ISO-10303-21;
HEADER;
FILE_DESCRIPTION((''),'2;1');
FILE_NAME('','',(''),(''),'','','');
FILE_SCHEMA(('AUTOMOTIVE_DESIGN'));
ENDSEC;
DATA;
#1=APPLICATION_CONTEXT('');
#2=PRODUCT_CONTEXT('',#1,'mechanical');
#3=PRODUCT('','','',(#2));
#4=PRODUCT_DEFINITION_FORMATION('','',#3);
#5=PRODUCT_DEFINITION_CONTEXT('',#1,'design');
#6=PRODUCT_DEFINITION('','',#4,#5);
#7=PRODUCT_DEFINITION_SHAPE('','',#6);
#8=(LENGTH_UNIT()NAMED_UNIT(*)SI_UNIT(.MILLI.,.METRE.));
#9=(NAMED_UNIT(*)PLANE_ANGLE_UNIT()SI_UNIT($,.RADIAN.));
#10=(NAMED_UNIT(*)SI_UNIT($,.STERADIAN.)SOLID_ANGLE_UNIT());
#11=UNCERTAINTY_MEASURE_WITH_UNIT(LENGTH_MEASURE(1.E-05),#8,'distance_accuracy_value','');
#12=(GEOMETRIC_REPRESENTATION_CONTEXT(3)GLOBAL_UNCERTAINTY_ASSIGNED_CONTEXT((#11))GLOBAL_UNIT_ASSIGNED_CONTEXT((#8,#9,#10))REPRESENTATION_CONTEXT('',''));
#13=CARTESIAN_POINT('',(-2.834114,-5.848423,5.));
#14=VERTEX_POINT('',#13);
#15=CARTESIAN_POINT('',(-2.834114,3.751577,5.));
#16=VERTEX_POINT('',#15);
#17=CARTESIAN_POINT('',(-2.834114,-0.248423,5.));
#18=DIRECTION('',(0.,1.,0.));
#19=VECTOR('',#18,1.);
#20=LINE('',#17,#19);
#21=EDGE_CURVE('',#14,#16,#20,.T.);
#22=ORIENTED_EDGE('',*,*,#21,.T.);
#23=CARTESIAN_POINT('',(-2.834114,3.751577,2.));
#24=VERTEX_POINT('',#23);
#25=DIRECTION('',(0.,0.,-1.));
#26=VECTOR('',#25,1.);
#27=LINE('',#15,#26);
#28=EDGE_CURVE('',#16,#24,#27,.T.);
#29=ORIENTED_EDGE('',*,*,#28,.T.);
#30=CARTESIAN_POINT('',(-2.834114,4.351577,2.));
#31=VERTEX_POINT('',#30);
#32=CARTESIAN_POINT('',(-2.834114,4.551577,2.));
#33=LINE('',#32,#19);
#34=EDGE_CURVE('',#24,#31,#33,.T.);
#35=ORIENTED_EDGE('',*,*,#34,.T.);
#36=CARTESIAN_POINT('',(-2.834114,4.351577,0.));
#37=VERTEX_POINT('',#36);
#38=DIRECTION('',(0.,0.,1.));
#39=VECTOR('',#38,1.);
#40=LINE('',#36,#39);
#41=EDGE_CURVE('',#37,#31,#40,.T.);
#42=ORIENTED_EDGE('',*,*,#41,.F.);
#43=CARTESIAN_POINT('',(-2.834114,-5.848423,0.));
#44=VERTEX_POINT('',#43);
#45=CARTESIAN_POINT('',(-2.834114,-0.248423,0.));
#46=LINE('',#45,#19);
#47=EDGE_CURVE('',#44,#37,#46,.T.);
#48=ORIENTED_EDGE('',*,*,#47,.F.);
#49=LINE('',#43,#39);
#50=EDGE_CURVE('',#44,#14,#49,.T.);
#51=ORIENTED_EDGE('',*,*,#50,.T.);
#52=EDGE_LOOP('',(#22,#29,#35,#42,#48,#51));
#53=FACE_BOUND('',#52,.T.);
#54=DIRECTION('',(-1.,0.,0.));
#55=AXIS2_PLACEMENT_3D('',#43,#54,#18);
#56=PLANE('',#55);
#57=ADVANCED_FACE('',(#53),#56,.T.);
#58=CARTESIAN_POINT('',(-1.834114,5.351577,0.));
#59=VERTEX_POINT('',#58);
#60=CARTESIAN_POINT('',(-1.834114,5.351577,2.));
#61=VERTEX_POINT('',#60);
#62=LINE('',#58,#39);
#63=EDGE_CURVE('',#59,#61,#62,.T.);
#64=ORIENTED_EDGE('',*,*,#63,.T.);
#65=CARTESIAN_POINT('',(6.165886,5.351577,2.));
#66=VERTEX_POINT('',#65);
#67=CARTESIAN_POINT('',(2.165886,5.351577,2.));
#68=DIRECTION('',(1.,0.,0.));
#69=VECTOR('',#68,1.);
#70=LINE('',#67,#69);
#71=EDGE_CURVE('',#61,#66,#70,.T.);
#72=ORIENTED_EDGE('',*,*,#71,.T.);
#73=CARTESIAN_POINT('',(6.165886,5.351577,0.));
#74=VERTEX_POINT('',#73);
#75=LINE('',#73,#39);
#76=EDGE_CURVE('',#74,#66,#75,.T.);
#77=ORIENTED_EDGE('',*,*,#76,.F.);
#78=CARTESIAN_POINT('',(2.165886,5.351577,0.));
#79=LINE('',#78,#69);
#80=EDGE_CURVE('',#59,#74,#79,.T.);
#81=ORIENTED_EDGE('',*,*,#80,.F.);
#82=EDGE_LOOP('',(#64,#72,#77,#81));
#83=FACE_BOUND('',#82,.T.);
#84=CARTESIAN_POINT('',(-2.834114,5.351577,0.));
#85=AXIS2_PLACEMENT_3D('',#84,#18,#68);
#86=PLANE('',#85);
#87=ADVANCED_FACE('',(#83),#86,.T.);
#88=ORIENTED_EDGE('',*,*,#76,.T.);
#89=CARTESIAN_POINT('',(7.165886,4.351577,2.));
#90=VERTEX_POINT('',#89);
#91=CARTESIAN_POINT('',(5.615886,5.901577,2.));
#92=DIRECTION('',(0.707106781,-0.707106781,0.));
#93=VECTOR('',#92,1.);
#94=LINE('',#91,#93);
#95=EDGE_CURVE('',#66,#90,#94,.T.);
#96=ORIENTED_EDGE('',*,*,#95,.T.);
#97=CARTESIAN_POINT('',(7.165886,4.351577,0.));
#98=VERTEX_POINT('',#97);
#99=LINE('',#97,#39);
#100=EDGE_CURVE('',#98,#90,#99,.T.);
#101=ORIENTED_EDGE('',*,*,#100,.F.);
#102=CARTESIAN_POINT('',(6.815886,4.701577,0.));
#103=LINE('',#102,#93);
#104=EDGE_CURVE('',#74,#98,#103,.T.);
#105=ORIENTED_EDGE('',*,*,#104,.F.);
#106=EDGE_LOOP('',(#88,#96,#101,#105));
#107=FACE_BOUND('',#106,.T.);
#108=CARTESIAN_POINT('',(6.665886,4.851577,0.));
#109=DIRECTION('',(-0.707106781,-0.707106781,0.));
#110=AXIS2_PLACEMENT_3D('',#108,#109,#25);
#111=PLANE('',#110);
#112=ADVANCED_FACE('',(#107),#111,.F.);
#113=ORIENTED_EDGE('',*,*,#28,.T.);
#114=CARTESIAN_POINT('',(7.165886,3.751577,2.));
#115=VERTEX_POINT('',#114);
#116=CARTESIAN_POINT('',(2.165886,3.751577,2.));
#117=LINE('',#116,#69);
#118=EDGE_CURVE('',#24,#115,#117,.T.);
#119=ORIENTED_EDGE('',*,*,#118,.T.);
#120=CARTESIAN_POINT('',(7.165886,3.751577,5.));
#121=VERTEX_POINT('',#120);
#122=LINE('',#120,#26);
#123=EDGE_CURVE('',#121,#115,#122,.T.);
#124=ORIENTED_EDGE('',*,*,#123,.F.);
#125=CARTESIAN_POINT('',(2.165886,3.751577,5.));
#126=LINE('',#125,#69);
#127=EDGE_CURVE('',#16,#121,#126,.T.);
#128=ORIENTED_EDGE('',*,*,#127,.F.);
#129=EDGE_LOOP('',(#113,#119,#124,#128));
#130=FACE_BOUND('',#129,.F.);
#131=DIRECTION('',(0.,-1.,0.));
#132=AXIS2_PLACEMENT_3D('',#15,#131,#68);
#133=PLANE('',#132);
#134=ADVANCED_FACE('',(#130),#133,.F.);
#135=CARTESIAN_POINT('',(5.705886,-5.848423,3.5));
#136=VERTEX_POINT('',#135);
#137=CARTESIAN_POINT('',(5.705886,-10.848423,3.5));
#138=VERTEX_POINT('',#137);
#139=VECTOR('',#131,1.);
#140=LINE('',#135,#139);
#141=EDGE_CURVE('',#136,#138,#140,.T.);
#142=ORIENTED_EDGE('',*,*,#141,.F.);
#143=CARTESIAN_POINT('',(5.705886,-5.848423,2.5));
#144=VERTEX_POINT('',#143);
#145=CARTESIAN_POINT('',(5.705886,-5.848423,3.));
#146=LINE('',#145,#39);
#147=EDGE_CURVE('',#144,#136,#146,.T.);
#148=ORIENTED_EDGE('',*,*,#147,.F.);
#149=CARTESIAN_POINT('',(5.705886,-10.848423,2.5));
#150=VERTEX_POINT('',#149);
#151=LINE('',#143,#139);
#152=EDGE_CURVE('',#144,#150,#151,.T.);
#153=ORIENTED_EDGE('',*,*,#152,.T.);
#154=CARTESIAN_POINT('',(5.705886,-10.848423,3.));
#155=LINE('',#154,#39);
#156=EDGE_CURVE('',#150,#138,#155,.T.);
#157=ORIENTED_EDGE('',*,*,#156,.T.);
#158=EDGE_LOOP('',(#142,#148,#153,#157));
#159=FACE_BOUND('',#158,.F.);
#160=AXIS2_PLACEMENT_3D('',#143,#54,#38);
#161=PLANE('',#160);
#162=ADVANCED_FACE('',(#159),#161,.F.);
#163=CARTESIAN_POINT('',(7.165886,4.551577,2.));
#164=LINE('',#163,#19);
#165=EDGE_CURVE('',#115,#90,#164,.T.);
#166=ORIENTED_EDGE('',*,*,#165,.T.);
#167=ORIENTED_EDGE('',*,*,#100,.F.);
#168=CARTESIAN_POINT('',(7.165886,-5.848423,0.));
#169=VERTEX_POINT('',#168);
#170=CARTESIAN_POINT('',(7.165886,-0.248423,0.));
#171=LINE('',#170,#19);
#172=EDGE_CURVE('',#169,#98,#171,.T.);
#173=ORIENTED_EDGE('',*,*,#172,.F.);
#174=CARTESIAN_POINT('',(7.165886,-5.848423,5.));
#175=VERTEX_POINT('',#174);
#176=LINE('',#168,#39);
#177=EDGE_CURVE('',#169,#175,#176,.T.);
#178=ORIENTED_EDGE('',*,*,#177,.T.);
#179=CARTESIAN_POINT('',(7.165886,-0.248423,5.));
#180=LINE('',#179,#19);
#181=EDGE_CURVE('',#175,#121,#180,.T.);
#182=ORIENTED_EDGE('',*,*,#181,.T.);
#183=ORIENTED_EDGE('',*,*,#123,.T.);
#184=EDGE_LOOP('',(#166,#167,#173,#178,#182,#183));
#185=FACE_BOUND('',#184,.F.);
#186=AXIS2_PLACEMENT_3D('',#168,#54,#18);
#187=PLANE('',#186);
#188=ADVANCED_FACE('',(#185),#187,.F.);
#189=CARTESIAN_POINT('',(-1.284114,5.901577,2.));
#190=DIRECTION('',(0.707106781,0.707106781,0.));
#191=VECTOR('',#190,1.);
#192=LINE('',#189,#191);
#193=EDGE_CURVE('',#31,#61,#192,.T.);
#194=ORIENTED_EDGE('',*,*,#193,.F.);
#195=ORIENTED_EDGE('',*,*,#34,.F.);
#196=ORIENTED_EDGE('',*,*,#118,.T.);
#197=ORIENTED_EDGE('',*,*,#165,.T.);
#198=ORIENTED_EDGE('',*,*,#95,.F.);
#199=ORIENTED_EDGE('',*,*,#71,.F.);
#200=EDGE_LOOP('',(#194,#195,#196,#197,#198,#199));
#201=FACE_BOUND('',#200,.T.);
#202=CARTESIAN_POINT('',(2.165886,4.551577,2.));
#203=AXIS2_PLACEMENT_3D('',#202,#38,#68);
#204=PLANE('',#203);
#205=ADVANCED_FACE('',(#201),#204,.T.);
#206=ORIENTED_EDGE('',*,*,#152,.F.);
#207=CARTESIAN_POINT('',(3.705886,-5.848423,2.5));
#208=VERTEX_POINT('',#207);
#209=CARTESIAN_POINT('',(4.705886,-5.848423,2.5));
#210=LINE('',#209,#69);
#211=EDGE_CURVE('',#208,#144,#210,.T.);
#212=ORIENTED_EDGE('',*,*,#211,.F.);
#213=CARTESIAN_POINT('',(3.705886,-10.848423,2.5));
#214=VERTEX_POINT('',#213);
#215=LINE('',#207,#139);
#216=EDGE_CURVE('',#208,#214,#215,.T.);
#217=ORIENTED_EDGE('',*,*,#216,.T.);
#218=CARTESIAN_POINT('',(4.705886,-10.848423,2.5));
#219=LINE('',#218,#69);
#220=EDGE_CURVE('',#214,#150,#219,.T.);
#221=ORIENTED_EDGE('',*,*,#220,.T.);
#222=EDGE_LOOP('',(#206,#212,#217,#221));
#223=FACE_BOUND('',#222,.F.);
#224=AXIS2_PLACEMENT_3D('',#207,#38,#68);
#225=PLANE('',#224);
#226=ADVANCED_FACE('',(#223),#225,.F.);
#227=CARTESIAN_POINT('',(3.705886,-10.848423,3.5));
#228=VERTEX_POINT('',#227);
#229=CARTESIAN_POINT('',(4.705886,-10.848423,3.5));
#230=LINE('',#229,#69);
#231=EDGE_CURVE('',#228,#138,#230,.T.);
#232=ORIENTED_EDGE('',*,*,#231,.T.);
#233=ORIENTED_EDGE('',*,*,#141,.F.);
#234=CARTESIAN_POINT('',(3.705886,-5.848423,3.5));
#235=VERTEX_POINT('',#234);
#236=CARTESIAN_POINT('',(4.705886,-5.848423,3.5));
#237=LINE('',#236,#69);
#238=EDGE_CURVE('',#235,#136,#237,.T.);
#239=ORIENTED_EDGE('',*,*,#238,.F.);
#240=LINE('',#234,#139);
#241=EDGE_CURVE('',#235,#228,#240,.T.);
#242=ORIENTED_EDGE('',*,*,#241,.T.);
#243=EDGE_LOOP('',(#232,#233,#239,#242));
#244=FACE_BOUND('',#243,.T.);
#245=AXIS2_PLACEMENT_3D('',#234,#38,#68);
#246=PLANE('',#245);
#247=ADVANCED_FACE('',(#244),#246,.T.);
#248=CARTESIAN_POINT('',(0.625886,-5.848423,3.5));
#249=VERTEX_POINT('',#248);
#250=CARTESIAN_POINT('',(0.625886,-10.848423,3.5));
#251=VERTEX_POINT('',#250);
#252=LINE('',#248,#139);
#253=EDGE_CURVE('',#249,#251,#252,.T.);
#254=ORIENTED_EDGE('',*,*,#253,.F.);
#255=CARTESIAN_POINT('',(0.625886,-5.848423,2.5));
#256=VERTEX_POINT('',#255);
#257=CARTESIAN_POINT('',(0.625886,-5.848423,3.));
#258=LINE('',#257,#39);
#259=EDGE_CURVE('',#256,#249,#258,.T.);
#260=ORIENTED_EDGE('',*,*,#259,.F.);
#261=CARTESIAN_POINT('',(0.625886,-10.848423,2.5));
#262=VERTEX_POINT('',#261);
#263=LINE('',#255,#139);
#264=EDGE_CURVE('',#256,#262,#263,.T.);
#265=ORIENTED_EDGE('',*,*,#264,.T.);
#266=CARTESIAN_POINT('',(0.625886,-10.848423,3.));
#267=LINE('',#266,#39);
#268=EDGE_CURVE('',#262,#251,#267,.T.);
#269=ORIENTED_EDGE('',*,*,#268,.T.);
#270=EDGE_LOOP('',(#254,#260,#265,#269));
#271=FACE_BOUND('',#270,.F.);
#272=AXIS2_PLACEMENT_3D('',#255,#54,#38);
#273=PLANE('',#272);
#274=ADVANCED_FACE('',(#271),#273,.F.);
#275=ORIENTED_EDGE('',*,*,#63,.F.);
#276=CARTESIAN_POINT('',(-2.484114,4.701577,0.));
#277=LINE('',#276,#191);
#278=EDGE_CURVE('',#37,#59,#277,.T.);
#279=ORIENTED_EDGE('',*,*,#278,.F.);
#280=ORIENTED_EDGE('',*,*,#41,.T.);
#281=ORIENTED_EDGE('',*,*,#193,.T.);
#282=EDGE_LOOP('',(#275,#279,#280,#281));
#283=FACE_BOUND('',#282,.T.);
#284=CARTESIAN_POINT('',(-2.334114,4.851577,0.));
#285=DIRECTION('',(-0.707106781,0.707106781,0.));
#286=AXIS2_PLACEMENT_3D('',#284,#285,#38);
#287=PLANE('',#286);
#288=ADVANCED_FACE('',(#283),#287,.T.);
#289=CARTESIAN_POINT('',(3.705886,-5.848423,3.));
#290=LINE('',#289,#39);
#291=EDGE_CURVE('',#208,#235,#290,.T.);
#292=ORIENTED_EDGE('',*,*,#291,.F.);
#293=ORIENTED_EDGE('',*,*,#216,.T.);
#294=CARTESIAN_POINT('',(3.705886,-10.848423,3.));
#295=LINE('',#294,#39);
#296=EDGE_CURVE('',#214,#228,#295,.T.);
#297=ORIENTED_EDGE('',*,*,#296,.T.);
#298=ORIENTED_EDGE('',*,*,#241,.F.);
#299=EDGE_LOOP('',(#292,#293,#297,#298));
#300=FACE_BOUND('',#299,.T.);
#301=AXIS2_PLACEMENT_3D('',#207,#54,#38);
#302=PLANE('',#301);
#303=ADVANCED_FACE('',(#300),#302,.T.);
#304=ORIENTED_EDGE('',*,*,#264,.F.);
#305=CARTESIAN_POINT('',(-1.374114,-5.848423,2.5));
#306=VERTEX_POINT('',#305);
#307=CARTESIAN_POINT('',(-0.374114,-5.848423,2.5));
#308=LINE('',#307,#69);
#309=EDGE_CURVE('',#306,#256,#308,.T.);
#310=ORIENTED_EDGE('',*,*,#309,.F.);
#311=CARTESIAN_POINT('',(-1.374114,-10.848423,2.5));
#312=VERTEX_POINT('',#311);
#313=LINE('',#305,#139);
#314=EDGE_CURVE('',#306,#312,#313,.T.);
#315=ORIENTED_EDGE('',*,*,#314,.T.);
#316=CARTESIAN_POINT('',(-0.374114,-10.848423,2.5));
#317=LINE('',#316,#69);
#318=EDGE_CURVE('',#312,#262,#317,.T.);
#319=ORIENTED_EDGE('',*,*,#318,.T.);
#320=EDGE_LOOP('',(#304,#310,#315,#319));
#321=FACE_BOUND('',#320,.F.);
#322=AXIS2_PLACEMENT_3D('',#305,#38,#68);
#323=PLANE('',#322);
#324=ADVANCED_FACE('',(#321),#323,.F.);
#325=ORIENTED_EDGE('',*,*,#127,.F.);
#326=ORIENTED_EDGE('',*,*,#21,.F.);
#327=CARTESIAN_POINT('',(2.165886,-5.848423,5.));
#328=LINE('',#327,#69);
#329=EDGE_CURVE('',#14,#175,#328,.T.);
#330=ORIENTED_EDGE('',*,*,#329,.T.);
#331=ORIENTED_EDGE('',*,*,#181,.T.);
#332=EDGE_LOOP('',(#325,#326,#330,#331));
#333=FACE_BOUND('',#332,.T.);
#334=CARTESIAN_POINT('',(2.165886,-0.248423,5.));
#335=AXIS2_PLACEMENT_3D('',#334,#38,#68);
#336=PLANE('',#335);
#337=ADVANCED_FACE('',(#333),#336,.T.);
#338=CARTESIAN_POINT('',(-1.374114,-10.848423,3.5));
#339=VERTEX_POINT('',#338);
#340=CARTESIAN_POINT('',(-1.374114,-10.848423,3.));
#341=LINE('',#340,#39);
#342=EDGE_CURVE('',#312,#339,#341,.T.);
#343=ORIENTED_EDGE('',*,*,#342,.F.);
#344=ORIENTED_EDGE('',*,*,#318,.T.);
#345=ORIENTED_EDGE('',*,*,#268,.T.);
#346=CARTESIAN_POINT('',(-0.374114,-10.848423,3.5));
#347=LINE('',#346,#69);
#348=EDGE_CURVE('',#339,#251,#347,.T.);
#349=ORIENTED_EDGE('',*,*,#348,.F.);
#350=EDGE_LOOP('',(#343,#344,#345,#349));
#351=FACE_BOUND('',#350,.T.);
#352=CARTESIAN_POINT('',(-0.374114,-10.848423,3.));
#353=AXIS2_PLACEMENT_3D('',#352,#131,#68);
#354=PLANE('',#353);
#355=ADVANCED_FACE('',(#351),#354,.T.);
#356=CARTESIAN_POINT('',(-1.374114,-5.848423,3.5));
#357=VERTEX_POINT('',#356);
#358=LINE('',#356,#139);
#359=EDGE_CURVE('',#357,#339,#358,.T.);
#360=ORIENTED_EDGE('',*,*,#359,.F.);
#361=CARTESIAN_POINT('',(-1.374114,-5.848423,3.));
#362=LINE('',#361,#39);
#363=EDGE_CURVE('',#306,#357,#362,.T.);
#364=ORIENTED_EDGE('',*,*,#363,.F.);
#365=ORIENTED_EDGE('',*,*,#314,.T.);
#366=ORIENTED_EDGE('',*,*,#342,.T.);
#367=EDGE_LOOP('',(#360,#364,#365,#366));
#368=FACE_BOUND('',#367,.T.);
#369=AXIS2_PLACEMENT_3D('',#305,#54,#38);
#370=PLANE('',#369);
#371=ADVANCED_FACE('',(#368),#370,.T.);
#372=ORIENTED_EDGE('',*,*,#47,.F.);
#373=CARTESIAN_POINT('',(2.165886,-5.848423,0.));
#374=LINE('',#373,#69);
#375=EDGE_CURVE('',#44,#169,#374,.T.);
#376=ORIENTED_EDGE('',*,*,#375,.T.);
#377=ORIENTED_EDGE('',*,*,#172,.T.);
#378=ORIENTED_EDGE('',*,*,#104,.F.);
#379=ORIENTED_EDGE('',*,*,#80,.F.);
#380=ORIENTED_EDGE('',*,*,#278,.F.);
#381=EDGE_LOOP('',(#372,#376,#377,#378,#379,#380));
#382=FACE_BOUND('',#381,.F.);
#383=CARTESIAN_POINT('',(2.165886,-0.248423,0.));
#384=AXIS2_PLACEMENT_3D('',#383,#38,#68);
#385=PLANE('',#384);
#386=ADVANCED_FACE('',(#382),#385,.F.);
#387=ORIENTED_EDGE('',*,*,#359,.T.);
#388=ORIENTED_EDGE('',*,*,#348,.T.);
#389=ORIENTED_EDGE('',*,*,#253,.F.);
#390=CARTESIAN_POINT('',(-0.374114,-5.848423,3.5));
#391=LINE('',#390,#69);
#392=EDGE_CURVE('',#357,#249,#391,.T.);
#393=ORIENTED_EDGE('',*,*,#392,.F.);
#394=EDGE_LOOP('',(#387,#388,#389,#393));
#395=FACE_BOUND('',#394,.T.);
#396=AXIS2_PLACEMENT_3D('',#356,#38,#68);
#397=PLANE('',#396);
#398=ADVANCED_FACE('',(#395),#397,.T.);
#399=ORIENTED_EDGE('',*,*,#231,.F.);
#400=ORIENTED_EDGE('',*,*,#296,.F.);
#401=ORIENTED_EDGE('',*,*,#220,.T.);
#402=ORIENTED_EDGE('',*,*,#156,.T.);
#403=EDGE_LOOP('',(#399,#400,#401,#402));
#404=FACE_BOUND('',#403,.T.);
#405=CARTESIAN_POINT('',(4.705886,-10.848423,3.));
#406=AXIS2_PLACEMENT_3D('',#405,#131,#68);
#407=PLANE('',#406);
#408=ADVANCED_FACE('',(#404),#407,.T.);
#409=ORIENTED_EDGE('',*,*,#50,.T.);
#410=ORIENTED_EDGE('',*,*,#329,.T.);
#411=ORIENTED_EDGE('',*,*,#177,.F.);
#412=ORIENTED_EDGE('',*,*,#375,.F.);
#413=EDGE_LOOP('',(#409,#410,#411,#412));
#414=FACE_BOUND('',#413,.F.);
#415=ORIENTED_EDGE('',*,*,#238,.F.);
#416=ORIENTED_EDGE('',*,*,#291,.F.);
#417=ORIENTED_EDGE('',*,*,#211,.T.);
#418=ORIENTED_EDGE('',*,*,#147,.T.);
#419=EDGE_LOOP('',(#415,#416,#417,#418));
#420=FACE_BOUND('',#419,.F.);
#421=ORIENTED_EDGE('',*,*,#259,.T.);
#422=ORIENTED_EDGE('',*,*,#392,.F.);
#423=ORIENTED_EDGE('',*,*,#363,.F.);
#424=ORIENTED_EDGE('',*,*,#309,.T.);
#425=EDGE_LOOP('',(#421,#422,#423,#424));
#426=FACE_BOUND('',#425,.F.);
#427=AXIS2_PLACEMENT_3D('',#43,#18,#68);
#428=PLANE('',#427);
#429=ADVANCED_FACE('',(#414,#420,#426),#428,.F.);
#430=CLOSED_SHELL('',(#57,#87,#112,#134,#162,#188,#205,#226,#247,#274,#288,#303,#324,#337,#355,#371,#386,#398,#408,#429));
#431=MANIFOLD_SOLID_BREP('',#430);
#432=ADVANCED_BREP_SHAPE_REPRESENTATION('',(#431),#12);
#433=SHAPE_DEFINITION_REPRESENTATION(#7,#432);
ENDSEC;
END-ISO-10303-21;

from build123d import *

# Parameters (mm, degrees)
F0_W     = 10
F0_H     = 11.2
F1_DEPTH = 5
F2_W     = 10
F2_H     = 1.6
F3_DEPTH = 3
F4_SIZE  = 1
F5_W     = 2
F5_H     = 1
F6_DEPTH = 5


with BuildPart() as f1:
    # F0 (on Top) → F1 (new body)
    with BuildSketch(Plane.XY):
        with Locations((2.165886, -0.248423)):
            Rectangle(F0_W, F0_H)
    extrude(amount=F1_DEPTH)

    # F2 (on face) → F3 (cut)
    with BuildSketch(Plane.XY.offset(5)):
        with Locations((2.165886, 4.551577)):
            Rectangle(F2_W, F2_H)
    extrude(amount=-F3_DEPTH, mode=Mode.SUBTRACT)

    # F4
    f4_edges = [f1.edges().sort_by_distance(p)[0] for p in [
        (7.165886, 5.351577, 1),
        (-2.834114, 5.351577, 1),
    ]]
    chamfer(f4_edges, length=F4_SIZE)

    # F5 (on face) → F6 (join)
    with BuildSketch(Plane.XZ.offset(5.848423)):
        with Locations((-0.374114, 3)):
            Rectangle(F5_W, F5_H)
        with Locations((4.705886, 3)):
            Rectangle(F5_W, F5_H)
    extrude(amount=F6_DEPTH)


solid = f1.part
